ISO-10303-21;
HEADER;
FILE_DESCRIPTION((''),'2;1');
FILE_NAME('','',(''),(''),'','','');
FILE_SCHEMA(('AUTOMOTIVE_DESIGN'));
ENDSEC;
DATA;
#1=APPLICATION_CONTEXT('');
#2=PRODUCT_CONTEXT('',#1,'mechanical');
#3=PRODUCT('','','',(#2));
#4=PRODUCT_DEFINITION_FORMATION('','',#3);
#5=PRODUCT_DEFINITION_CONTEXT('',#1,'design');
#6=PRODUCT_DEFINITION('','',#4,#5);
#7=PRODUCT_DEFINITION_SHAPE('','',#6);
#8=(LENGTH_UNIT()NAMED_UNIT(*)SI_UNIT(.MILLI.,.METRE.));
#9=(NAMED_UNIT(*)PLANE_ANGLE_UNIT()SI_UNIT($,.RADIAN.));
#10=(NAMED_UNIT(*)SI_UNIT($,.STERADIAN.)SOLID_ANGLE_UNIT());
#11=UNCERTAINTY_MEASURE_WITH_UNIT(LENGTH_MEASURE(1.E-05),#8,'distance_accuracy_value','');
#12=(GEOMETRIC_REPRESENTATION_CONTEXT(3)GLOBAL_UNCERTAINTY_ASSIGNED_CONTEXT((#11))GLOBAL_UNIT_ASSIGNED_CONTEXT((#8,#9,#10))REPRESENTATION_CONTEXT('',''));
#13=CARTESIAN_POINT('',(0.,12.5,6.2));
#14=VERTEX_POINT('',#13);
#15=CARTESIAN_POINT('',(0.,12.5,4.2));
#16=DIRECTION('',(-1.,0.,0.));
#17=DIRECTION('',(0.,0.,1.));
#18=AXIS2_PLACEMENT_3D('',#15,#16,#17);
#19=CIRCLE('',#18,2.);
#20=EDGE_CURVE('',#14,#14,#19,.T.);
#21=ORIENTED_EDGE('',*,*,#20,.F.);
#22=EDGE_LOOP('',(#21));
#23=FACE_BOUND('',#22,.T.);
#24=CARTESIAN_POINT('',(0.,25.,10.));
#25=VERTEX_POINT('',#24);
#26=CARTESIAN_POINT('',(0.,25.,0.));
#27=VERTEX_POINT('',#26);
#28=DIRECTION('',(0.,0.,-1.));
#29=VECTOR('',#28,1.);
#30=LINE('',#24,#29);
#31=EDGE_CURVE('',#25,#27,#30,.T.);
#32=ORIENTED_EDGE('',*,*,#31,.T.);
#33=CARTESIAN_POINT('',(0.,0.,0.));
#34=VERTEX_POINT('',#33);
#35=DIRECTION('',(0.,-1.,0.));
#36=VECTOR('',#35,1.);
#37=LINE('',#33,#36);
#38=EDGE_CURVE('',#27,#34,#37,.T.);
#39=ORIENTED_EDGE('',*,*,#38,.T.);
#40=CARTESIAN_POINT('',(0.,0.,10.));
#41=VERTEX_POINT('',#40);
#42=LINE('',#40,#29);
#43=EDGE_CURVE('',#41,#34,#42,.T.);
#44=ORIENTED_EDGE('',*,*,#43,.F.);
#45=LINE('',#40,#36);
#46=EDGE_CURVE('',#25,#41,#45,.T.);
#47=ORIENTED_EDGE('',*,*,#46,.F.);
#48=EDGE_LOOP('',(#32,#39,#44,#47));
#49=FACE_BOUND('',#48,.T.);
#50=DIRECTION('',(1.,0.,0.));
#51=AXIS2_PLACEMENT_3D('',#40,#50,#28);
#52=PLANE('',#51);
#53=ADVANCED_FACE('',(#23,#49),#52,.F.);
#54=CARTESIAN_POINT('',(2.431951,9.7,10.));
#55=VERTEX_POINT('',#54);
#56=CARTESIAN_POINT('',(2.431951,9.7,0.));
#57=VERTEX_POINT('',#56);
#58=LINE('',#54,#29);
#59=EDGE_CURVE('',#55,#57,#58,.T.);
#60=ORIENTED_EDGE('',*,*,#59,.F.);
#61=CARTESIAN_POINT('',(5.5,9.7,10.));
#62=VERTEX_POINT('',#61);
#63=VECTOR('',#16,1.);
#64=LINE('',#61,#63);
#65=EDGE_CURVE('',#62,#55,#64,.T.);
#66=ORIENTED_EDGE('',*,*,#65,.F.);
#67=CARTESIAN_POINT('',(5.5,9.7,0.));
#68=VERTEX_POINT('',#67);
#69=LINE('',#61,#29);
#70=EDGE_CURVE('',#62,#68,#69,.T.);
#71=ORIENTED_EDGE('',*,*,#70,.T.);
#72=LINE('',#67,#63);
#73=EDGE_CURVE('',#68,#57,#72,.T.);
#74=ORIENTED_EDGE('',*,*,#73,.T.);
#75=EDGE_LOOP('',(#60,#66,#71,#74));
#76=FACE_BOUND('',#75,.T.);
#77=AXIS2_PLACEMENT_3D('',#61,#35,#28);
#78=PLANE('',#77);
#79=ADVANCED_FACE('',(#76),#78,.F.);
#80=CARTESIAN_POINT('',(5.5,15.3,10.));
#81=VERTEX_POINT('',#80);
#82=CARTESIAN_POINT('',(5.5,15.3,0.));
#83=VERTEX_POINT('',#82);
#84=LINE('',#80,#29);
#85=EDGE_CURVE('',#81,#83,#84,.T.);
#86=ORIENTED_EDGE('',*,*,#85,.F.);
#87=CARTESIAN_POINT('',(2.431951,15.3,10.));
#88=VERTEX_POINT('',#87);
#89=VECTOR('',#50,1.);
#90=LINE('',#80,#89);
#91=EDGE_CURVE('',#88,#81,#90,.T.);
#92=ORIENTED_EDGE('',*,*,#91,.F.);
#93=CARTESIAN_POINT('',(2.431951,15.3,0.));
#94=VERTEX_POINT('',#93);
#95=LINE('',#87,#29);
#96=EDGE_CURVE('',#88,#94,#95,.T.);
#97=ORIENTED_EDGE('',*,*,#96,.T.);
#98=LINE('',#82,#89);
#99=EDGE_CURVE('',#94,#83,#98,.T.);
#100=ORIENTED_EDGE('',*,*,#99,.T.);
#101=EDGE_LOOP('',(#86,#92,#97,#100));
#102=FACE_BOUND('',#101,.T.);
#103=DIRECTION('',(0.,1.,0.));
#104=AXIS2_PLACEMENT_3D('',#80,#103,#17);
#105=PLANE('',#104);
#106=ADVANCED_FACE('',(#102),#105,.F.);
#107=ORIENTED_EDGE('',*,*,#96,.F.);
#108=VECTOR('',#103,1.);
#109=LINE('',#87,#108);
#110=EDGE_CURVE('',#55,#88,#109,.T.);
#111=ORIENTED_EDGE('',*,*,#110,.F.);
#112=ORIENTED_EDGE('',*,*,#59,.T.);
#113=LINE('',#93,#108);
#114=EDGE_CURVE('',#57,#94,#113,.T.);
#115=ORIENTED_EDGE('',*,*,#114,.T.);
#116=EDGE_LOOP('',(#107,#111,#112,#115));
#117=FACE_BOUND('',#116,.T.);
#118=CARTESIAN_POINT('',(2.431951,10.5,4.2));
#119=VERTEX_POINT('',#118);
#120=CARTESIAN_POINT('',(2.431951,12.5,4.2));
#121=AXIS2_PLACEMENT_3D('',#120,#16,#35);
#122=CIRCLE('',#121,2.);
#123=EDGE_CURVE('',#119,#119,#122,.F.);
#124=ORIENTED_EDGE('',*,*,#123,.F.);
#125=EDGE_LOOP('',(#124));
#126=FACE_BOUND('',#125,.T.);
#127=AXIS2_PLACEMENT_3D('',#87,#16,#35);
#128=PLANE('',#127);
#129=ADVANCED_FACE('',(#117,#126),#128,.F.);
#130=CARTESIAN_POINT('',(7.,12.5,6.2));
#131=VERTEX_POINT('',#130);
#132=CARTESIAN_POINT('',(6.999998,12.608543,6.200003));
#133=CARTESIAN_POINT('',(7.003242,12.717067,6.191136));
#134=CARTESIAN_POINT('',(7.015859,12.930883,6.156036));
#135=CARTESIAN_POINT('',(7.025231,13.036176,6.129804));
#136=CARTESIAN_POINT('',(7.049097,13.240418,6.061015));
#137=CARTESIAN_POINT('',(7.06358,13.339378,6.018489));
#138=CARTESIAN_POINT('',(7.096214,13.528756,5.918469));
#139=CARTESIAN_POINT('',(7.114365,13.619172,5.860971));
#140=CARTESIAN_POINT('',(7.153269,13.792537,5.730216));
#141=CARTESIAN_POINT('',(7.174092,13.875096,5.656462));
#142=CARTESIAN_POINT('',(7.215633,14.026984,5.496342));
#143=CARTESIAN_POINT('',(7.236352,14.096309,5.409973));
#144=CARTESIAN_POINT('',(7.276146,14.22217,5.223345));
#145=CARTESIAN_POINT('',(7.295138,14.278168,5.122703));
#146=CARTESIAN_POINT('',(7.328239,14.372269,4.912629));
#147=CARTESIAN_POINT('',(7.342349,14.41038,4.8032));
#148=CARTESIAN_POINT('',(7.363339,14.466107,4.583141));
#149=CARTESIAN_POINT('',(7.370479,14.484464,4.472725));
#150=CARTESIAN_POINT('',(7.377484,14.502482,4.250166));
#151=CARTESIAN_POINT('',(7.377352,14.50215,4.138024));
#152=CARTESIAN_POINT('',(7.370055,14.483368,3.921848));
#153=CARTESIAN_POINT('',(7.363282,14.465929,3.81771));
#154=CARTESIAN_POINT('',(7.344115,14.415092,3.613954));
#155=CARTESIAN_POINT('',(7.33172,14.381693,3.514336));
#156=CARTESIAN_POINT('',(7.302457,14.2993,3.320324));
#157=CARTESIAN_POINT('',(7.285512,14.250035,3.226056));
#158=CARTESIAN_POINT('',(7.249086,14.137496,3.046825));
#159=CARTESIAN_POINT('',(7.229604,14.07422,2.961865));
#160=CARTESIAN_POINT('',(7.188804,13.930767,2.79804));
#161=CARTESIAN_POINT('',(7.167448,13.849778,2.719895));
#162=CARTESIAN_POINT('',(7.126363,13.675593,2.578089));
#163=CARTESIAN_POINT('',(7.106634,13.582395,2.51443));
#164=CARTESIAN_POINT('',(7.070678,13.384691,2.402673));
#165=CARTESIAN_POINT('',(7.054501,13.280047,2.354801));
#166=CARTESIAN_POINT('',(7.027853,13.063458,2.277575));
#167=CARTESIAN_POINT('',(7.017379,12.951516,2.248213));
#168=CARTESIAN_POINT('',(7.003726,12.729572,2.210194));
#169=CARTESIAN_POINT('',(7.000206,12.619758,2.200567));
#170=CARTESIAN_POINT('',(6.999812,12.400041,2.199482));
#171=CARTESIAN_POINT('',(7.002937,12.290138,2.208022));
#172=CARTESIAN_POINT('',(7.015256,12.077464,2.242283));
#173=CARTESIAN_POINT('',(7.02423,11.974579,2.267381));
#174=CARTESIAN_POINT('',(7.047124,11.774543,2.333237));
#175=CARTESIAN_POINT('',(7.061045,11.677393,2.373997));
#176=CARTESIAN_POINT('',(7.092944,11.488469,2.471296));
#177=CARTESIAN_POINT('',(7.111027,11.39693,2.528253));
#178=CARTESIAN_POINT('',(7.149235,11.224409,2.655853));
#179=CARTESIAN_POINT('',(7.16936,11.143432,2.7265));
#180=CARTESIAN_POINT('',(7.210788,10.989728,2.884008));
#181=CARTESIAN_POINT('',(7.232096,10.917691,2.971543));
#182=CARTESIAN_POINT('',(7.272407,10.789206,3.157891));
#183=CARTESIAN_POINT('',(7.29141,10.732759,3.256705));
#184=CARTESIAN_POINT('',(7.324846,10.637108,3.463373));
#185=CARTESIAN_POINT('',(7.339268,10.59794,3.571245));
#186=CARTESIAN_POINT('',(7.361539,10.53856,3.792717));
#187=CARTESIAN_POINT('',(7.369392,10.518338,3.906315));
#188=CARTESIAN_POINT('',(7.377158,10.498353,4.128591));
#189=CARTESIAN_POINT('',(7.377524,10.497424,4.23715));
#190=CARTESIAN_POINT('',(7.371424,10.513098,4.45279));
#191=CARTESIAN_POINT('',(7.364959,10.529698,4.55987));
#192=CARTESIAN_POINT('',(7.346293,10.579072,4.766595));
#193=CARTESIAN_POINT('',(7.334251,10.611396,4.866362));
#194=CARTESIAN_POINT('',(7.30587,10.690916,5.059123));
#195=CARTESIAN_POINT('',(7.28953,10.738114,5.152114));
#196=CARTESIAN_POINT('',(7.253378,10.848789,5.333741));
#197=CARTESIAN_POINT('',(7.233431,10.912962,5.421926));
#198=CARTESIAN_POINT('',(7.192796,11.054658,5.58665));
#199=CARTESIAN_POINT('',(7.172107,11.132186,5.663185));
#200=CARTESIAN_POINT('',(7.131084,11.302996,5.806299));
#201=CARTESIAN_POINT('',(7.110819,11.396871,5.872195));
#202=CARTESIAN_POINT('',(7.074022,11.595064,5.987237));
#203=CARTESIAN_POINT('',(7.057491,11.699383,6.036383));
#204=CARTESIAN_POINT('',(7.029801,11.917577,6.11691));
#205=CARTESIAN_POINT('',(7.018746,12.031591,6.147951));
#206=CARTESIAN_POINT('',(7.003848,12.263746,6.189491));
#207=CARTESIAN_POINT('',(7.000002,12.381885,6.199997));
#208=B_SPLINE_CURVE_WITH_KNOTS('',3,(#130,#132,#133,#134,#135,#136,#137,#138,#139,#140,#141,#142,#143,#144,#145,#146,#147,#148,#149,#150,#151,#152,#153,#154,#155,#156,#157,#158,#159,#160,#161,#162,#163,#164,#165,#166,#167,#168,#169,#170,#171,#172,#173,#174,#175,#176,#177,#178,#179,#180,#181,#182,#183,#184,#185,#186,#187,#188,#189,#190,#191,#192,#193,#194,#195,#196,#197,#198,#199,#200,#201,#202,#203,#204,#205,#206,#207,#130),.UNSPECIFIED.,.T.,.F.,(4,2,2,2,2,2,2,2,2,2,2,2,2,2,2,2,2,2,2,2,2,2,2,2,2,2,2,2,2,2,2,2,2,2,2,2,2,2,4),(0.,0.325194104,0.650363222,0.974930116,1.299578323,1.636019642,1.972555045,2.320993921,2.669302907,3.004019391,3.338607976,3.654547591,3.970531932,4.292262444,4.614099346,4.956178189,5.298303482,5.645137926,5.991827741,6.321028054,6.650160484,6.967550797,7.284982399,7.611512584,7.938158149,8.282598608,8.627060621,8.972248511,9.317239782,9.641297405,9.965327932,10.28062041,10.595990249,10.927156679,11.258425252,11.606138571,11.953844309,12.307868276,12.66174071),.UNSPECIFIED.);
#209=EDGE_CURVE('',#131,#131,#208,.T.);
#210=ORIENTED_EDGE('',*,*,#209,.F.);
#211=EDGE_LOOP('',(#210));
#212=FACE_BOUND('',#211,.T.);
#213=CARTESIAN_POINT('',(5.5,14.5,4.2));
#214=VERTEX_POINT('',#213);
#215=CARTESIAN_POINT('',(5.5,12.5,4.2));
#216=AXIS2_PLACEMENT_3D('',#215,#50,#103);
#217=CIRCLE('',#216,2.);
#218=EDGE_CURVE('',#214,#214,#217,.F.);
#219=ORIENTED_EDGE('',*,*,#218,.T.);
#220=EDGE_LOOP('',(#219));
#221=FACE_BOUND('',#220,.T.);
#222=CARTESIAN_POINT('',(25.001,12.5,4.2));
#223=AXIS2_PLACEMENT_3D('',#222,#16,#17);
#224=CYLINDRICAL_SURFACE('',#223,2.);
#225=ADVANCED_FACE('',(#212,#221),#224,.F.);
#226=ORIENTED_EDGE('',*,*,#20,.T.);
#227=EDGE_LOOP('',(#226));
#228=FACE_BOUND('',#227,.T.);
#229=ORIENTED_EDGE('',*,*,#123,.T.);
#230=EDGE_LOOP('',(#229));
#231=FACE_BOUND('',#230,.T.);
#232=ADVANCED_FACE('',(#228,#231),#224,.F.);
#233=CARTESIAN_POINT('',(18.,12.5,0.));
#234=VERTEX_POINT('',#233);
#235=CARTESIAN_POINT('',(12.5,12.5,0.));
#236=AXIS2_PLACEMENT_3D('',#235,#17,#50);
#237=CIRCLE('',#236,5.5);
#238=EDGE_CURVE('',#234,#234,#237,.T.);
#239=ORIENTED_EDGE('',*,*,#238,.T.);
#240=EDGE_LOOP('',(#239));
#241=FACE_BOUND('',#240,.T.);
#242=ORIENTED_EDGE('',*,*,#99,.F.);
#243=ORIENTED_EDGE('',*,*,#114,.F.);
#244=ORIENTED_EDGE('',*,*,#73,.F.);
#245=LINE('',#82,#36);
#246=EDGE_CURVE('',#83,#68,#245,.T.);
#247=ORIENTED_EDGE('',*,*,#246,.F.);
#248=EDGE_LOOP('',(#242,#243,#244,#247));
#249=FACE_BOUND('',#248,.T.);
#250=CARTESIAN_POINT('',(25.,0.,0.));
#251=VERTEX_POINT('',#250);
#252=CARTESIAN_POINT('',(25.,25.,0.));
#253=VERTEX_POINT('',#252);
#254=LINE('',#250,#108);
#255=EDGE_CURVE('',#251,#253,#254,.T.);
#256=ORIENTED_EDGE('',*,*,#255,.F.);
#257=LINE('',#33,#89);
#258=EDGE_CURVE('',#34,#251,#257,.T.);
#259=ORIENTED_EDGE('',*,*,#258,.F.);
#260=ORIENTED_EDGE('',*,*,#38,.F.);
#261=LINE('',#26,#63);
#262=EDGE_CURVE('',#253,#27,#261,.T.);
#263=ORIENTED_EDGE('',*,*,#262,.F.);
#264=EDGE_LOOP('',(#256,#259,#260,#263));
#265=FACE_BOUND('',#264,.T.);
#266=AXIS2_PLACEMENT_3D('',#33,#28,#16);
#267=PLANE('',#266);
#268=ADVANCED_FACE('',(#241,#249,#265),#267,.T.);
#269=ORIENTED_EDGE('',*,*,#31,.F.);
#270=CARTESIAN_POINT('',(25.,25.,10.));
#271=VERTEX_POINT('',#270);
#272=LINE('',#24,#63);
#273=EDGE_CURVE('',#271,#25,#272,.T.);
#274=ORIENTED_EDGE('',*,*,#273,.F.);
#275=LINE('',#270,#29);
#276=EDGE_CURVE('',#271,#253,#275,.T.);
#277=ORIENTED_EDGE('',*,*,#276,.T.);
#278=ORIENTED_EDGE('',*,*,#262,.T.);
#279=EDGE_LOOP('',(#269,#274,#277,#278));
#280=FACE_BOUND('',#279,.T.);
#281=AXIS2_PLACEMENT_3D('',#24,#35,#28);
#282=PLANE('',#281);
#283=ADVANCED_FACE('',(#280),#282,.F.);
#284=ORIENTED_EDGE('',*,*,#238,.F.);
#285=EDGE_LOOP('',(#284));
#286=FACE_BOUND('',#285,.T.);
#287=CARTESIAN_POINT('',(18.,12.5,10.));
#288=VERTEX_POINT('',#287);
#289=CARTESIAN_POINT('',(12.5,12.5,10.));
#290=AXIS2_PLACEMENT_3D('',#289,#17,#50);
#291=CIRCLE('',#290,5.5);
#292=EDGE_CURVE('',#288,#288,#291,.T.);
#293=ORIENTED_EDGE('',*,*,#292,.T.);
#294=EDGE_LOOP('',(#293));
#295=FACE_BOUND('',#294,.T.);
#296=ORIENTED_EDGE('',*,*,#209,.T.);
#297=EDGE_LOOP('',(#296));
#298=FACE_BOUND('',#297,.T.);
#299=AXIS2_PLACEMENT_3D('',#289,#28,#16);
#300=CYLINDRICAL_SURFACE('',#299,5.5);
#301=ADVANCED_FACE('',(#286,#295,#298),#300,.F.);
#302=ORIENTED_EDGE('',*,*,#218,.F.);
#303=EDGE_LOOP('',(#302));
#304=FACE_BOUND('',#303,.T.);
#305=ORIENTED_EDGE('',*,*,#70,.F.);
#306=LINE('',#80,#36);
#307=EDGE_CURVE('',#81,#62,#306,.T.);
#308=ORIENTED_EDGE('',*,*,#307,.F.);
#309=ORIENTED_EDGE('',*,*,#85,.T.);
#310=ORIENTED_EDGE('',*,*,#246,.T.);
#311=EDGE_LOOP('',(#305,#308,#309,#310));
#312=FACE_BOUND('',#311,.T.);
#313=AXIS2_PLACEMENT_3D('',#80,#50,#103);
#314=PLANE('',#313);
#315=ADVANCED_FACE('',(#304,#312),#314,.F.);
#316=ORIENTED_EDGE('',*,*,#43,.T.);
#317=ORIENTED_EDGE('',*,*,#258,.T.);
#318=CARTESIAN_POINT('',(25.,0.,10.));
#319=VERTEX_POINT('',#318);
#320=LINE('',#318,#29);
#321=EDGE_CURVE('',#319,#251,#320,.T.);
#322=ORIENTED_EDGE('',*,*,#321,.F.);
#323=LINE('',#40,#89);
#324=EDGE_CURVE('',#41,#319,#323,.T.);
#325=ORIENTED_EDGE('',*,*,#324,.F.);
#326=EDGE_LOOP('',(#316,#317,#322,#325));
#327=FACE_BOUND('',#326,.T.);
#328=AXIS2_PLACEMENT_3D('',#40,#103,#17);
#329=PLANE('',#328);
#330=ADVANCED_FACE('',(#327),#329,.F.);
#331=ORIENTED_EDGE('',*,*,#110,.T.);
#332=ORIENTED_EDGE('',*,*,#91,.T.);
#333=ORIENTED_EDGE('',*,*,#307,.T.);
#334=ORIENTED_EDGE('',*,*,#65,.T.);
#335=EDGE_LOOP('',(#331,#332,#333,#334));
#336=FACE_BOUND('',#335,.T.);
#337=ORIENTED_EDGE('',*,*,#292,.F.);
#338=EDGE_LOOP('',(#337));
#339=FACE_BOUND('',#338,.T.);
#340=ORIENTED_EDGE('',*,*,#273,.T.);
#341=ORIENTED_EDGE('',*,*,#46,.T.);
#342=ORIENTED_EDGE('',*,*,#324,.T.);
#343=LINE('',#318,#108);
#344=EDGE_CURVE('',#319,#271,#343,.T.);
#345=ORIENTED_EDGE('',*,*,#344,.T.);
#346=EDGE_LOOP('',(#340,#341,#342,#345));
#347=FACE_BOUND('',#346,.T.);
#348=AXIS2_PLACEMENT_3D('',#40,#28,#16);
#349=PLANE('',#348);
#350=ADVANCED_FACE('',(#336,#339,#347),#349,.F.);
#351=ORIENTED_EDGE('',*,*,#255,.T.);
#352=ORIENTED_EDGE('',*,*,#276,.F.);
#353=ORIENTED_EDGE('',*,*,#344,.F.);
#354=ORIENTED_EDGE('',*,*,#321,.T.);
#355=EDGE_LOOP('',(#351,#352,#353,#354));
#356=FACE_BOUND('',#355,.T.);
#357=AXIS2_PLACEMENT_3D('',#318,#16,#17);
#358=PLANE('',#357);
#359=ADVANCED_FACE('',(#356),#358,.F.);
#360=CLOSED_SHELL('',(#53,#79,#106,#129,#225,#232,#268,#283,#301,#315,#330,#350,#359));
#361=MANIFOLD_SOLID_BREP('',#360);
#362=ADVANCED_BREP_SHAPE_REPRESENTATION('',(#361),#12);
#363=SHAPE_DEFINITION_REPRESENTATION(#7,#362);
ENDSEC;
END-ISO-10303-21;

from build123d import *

# Parameters (mm, degrees)
CROQUIS1_W                 = 25
CROQUIS1_H                 = 25
CROQUIS1_R                 = 5.5
SALIENTE_EXTRUIR1_DEPTH    = 10
CORTAR_EXTRUIR1_REACH      = 38.742
CORTAR_EXTRUIR1_END_RADIUS = 5.5
CROQUIS2_R                 = 2
CROQUIS3_W                 = 3.068049468
CROQUIS3_H                 = 5.6
CORTAR_EXTRUIR2_DEPTH      = 37.742346169


with BuildPart() as part:
    # Croquis1 → Saliente-Extruir1 (new body)
    with BuildSketch(Plane.XY):
        with Locations((12.5, 12.5)):
            Rectangle(CROQUIS1_W, CROQUIS1_H)
        with Locations((12.5, 12.5)):
            Circle(CROQUIS1_R, mode=Mode.SUBTRACT)
    extrude(amount=SALIENTE_EXTRUIR1_DEPTH)

    # Cortar-Extruir1: up to this cylinder (the profile starts outside it)
    cortar_extruir1_end = Plane(origin=(12.5, 12.5, 4.2), z_dir=(0, 0, -1)) * Cylinder(CORTAR_EXTRUIR1_END_RADIUS, 89.484, mode=Mode.PRIVATE)
    # Croquis2 → Cortar-Extruir1 (cut, up to the surface)
    with BuildSketch(Plane.ZY, mode=Mode.PRIVATE) as cortar_extruir1_sk1:
        with Locations((4.2, 12.5)):
            Circle(CROQUIS2_R)
    cortar_extruir1_tool1 = extrude(cortar_extruir1_sk1.sketch, amount=-CORTAR_EXTRUIR1_REACH, mode=Mode.PRIVATE) - cortar_extruir1_end
    add(cortar_extruir1_tool1.solids().sort_by_distance((0, 12.5, 4.2))[0], mode=Mode.SUBTRACT)

    # Croquis3 → Cortar-Extruir2 (cut, through all)
    with BuildSketch(Plane(origin=(0, 0, 0), x_dir=(-1, 0, 0), z_dir=(0, 0, -1))):
        with Locations((-3.965975266, 12.5)):
            Rectangle(CROQUIS3_W, CROQUIS3_H)
    extrude(amount=-CORTAR_EXTRUIR2_DEPTH, mode=Mode.SUBTRACT)


solid = part.part
